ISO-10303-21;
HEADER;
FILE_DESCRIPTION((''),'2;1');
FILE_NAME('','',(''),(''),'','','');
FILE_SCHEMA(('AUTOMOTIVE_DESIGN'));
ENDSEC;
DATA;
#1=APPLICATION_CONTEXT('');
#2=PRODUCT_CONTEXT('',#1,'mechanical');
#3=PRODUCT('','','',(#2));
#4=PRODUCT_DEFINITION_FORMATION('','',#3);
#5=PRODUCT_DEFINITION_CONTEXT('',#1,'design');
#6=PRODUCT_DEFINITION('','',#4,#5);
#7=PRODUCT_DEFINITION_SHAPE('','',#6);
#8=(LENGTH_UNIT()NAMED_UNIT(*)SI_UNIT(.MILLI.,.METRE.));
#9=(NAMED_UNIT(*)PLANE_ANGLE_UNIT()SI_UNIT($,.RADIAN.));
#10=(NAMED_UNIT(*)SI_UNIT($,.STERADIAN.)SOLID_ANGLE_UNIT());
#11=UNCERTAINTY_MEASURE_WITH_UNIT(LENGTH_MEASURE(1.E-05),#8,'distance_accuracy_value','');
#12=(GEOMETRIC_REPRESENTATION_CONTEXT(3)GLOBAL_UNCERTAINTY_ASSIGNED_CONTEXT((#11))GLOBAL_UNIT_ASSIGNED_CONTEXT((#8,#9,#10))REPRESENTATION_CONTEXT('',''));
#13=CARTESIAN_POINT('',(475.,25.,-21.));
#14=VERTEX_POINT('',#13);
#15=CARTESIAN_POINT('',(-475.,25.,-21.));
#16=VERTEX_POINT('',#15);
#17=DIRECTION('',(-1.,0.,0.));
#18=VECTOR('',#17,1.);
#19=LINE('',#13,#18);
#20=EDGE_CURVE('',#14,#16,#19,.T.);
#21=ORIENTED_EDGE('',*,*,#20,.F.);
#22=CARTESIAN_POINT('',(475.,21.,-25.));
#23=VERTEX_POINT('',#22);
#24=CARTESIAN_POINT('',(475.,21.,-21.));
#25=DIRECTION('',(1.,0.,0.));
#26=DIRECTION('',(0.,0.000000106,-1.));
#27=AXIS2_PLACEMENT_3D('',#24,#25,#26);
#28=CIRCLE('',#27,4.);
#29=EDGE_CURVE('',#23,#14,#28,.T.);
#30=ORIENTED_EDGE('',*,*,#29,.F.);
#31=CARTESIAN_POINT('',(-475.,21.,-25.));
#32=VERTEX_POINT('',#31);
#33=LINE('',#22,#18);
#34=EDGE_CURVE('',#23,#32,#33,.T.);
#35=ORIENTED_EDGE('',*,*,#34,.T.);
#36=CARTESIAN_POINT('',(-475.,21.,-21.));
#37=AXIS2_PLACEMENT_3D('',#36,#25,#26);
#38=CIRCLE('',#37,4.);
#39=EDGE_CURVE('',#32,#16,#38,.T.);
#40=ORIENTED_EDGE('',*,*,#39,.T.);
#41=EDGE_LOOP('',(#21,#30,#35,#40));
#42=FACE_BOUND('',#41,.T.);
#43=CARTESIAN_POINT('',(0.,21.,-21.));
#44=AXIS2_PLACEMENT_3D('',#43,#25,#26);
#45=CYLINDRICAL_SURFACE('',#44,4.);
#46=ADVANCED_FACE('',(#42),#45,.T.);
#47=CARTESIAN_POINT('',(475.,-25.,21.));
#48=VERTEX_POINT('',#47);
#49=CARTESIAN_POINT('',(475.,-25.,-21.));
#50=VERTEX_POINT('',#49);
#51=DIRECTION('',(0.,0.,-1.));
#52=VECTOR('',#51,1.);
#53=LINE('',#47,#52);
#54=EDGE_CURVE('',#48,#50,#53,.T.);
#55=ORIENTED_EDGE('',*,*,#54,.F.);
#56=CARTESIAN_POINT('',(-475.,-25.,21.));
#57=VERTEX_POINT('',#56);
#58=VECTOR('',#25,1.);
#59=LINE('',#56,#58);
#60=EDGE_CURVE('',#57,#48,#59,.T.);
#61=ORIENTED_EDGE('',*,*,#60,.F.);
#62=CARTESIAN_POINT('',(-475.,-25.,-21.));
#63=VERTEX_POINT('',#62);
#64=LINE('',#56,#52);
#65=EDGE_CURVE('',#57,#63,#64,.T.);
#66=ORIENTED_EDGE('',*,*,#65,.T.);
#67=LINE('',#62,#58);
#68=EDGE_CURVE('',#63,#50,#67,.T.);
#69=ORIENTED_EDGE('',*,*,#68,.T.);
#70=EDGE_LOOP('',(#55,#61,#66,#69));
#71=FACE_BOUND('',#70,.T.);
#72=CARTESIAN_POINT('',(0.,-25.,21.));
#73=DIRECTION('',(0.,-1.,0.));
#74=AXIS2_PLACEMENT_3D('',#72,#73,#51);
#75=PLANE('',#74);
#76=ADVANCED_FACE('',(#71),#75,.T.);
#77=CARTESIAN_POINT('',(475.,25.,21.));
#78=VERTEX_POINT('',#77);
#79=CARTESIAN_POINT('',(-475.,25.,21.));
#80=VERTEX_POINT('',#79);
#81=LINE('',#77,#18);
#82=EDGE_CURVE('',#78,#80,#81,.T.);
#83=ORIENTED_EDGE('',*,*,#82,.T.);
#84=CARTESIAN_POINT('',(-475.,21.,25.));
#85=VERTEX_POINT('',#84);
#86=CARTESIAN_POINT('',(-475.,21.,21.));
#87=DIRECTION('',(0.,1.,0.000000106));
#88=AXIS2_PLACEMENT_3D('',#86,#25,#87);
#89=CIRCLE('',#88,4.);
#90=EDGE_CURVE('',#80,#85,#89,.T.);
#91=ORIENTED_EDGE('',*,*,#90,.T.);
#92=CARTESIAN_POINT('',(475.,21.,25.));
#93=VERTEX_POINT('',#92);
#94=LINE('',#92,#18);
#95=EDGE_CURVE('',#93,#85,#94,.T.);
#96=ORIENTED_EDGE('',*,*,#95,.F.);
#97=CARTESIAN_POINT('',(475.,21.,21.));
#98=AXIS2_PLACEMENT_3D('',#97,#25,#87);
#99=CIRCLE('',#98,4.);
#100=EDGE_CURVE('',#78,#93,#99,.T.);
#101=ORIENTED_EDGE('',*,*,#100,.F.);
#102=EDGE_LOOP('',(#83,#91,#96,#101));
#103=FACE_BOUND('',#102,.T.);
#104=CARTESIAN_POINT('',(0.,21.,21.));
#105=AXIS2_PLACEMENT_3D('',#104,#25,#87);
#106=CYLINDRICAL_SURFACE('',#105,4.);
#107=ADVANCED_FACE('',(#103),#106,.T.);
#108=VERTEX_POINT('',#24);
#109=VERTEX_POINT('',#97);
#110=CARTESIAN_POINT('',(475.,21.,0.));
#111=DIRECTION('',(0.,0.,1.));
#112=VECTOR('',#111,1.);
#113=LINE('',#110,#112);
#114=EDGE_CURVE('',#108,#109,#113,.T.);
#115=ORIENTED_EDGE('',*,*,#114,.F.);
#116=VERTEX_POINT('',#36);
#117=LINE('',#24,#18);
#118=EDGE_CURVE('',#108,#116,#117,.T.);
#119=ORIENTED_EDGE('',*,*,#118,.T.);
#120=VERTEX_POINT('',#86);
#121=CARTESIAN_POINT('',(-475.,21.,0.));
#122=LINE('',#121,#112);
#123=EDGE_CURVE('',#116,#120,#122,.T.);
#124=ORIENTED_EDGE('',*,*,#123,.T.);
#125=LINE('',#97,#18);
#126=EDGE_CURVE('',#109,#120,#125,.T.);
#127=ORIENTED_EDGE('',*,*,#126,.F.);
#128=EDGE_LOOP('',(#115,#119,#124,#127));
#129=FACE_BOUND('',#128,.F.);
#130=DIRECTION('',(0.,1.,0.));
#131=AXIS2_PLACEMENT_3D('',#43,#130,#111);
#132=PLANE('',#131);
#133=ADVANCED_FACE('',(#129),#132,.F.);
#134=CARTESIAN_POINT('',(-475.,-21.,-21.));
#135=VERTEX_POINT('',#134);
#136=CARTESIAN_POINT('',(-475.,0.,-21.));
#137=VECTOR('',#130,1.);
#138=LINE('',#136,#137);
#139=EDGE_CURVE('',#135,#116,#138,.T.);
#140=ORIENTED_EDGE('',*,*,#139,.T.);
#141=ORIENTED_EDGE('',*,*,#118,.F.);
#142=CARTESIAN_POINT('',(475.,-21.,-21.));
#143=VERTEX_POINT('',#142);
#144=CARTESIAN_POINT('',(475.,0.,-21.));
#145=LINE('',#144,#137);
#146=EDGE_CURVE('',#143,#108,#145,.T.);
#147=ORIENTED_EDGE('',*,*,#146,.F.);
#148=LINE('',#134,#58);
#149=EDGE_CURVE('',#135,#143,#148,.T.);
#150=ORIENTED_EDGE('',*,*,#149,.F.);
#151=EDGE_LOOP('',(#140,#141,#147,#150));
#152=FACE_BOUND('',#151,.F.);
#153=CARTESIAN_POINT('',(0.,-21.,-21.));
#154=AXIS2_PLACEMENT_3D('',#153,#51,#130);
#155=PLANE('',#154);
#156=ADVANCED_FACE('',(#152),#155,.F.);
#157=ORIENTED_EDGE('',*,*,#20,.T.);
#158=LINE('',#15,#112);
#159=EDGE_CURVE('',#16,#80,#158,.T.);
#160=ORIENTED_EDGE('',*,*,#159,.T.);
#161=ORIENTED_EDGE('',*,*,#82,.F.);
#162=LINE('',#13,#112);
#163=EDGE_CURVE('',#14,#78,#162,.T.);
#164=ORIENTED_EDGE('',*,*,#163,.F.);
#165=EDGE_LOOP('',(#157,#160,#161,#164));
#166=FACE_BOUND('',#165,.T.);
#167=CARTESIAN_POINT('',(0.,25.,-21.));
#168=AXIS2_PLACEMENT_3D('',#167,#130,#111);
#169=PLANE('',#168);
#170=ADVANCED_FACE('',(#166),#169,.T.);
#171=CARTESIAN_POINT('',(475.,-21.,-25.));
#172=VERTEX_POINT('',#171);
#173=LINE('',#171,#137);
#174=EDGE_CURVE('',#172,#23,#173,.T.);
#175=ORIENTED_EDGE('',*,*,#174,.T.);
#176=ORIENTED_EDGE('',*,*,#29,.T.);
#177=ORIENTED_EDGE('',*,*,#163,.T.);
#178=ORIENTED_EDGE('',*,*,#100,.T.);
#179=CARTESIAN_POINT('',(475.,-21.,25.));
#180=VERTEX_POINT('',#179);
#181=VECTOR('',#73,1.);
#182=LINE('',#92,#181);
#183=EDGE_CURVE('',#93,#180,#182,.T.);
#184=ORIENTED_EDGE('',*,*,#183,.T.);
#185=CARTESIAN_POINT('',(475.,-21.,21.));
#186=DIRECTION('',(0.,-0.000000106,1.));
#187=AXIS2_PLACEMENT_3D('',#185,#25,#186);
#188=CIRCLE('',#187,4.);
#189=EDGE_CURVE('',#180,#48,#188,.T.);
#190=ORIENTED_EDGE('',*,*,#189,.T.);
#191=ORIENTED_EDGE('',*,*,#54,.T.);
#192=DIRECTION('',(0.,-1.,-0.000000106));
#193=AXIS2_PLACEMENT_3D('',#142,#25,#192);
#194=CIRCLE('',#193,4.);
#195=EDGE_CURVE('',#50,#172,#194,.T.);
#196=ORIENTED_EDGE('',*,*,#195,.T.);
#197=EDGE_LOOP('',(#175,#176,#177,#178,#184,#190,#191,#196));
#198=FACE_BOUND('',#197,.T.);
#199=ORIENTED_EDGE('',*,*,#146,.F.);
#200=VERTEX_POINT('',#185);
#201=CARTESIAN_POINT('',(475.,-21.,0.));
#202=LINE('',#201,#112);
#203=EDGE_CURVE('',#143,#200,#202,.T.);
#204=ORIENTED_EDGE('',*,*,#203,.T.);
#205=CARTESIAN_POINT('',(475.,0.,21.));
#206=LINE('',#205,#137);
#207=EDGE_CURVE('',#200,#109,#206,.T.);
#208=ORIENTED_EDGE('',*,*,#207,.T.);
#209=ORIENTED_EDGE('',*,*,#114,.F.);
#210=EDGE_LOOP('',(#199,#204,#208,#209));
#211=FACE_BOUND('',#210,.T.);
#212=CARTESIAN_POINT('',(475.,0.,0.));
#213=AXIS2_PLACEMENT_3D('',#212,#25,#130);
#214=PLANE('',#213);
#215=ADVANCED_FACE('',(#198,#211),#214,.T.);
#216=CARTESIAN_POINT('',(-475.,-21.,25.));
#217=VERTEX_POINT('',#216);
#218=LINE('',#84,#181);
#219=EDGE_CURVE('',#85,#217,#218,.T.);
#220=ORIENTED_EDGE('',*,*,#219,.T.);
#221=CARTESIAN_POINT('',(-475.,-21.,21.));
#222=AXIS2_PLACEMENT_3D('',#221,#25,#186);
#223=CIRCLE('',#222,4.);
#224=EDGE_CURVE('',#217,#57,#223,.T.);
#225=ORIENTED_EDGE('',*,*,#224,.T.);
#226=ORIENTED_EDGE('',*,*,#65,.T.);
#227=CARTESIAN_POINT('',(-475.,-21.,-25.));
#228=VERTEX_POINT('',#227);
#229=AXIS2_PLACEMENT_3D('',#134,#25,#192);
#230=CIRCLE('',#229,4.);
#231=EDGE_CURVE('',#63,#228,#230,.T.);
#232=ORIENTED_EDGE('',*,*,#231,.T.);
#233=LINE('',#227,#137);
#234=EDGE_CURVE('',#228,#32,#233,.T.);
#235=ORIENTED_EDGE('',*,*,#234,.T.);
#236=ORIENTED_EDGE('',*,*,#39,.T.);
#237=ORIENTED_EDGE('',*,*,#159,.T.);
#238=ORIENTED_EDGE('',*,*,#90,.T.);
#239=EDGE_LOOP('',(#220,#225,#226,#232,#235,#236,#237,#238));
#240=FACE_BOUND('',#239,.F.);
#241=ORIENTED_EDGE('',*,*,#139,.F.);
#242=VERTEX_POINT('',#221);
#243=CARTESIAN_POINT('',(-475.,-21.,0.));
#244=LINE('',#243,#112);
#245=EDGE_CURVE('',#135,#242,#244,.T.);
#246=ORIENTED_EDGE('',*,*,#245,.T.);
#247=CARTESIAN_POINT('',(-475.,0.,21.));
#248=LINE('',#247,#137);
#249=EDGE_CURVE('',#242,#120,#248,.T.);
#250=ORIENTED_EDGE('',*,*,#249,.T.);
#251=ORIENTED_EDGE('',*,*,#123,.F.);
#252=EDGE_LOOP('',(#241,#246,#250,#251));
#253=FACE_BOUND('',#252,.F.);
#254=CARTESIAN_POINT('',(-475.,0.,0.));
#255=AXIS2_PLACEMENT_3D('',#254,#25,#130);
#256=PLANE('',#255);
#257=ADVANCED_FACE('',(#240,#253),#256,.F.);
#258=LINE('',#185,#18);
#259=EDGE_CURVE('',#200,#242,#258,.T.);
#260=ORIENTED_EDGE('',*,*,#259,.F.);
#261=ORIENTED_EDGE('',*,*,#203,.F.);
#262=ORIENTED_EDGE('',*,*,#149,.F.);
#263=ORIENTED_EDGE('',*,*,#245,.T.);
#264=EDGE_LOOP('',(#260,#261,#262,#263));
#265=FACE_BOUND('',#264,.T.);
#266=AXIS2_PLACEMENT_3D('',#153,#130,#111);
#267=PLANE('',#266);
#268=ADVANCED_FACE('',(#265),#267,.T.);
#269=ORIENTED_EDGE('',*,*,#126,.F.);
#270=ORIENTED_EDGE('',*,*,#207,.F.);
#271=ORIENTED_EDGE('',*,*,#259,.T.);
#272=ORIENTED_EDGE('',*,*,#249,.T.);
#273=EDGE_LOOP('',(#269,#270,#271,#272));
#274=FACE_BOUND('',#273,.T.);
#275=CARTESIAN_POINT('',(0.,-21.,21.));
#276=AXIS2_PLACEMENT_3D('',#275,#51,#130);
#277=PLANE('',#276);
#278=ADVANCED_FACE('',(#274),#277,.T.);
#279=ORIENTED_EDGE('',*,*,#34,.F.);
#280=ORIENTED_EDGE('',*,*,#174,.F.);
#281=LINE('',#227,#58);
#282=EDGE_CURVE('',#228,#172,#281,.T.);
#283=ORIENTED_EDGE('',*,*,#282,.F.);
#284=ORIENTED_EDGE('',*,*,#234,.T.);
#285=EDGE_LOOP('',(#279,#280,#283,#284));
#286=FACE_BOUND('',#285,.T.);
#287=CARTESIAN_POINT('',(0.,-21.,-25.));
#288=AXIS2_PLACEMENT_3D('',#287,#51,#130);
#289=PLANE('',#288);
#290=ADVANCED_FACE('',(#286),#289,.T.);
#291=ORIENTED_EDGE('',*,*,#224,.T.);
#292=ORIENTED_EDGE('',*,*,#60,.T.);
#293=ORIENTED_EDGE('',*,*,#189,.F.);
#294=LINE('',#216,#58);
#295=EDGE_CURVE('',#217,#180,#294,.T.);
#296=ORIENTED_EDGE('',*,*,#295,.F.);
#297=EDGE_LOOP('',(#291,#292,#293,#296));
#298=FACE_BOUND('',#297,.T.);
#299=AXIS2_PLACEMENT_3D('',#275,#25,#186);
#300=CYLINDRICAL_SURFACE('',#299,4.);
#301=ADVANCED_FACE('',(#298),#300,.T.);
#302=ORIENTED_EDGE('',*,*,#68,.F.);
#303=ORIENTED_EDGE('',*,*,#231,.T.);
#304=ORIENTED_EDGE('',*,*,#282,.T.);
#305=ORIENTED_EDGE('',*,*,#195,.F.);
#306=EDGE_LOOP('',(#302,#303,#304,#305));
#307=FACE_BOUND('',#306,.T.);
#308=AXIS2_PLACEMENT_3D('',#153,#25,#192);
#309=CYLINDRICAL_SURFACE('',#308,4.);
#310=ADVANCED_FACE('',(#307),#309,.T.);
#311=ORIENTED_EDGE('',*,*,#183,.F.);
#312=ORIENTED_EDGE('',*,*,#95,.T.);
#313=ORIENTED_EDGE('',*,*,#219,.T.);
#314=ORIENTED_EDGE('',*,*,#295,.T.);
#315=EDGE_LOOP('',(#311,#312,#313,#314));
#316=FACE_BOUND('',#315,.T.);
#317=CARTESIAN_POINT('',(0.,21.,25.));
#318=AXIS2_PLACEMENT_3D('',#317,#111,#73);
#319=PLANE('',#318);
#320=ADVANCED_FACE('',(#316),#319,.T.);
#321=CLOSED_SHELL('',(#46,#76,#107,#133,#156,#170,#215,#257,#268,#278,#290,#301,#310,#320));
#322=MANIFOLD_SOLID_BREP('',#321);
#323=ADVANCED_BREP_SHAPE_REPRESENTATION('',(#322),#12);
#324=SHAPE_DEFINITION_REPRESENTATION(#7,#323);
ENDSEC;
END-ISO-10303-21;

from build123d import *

# Parameters (mm, degrees)
F0_W     = 42
F0_H     = 42
F1_DEPTH = 475


with BuildPart() as f1:
    # F0 (on Right) → F1 (new body, symmetric)
    with BuildSketch(Plane.YZ):
        with BuildLine():
            Line((21, 25), (-21, 25))
            ThreePointArc((-21, 25), (-23.828427, 23.828427), (-25, 21))
            Line((-25, 21), (-25, -21))
            ThreePointArc((-25, -21), (-23.828427, -23.828427), (-21, -25))
            Line((-21, -25), (21, -25))
            ThreePointArc((21, -25), (23.828427, -23.828427), (25, -21))
            Line((25, -21), (25, 21))
            ThreePointArc((25, 21), (23.828427, 23.828427), (21, 25))
        make_face()
        Rectangle(F0_W, F0_H, mode=Mode.SUBTRACT)
    extrude(amount=F1_DEPTH, both=True)


solid = f1.part
